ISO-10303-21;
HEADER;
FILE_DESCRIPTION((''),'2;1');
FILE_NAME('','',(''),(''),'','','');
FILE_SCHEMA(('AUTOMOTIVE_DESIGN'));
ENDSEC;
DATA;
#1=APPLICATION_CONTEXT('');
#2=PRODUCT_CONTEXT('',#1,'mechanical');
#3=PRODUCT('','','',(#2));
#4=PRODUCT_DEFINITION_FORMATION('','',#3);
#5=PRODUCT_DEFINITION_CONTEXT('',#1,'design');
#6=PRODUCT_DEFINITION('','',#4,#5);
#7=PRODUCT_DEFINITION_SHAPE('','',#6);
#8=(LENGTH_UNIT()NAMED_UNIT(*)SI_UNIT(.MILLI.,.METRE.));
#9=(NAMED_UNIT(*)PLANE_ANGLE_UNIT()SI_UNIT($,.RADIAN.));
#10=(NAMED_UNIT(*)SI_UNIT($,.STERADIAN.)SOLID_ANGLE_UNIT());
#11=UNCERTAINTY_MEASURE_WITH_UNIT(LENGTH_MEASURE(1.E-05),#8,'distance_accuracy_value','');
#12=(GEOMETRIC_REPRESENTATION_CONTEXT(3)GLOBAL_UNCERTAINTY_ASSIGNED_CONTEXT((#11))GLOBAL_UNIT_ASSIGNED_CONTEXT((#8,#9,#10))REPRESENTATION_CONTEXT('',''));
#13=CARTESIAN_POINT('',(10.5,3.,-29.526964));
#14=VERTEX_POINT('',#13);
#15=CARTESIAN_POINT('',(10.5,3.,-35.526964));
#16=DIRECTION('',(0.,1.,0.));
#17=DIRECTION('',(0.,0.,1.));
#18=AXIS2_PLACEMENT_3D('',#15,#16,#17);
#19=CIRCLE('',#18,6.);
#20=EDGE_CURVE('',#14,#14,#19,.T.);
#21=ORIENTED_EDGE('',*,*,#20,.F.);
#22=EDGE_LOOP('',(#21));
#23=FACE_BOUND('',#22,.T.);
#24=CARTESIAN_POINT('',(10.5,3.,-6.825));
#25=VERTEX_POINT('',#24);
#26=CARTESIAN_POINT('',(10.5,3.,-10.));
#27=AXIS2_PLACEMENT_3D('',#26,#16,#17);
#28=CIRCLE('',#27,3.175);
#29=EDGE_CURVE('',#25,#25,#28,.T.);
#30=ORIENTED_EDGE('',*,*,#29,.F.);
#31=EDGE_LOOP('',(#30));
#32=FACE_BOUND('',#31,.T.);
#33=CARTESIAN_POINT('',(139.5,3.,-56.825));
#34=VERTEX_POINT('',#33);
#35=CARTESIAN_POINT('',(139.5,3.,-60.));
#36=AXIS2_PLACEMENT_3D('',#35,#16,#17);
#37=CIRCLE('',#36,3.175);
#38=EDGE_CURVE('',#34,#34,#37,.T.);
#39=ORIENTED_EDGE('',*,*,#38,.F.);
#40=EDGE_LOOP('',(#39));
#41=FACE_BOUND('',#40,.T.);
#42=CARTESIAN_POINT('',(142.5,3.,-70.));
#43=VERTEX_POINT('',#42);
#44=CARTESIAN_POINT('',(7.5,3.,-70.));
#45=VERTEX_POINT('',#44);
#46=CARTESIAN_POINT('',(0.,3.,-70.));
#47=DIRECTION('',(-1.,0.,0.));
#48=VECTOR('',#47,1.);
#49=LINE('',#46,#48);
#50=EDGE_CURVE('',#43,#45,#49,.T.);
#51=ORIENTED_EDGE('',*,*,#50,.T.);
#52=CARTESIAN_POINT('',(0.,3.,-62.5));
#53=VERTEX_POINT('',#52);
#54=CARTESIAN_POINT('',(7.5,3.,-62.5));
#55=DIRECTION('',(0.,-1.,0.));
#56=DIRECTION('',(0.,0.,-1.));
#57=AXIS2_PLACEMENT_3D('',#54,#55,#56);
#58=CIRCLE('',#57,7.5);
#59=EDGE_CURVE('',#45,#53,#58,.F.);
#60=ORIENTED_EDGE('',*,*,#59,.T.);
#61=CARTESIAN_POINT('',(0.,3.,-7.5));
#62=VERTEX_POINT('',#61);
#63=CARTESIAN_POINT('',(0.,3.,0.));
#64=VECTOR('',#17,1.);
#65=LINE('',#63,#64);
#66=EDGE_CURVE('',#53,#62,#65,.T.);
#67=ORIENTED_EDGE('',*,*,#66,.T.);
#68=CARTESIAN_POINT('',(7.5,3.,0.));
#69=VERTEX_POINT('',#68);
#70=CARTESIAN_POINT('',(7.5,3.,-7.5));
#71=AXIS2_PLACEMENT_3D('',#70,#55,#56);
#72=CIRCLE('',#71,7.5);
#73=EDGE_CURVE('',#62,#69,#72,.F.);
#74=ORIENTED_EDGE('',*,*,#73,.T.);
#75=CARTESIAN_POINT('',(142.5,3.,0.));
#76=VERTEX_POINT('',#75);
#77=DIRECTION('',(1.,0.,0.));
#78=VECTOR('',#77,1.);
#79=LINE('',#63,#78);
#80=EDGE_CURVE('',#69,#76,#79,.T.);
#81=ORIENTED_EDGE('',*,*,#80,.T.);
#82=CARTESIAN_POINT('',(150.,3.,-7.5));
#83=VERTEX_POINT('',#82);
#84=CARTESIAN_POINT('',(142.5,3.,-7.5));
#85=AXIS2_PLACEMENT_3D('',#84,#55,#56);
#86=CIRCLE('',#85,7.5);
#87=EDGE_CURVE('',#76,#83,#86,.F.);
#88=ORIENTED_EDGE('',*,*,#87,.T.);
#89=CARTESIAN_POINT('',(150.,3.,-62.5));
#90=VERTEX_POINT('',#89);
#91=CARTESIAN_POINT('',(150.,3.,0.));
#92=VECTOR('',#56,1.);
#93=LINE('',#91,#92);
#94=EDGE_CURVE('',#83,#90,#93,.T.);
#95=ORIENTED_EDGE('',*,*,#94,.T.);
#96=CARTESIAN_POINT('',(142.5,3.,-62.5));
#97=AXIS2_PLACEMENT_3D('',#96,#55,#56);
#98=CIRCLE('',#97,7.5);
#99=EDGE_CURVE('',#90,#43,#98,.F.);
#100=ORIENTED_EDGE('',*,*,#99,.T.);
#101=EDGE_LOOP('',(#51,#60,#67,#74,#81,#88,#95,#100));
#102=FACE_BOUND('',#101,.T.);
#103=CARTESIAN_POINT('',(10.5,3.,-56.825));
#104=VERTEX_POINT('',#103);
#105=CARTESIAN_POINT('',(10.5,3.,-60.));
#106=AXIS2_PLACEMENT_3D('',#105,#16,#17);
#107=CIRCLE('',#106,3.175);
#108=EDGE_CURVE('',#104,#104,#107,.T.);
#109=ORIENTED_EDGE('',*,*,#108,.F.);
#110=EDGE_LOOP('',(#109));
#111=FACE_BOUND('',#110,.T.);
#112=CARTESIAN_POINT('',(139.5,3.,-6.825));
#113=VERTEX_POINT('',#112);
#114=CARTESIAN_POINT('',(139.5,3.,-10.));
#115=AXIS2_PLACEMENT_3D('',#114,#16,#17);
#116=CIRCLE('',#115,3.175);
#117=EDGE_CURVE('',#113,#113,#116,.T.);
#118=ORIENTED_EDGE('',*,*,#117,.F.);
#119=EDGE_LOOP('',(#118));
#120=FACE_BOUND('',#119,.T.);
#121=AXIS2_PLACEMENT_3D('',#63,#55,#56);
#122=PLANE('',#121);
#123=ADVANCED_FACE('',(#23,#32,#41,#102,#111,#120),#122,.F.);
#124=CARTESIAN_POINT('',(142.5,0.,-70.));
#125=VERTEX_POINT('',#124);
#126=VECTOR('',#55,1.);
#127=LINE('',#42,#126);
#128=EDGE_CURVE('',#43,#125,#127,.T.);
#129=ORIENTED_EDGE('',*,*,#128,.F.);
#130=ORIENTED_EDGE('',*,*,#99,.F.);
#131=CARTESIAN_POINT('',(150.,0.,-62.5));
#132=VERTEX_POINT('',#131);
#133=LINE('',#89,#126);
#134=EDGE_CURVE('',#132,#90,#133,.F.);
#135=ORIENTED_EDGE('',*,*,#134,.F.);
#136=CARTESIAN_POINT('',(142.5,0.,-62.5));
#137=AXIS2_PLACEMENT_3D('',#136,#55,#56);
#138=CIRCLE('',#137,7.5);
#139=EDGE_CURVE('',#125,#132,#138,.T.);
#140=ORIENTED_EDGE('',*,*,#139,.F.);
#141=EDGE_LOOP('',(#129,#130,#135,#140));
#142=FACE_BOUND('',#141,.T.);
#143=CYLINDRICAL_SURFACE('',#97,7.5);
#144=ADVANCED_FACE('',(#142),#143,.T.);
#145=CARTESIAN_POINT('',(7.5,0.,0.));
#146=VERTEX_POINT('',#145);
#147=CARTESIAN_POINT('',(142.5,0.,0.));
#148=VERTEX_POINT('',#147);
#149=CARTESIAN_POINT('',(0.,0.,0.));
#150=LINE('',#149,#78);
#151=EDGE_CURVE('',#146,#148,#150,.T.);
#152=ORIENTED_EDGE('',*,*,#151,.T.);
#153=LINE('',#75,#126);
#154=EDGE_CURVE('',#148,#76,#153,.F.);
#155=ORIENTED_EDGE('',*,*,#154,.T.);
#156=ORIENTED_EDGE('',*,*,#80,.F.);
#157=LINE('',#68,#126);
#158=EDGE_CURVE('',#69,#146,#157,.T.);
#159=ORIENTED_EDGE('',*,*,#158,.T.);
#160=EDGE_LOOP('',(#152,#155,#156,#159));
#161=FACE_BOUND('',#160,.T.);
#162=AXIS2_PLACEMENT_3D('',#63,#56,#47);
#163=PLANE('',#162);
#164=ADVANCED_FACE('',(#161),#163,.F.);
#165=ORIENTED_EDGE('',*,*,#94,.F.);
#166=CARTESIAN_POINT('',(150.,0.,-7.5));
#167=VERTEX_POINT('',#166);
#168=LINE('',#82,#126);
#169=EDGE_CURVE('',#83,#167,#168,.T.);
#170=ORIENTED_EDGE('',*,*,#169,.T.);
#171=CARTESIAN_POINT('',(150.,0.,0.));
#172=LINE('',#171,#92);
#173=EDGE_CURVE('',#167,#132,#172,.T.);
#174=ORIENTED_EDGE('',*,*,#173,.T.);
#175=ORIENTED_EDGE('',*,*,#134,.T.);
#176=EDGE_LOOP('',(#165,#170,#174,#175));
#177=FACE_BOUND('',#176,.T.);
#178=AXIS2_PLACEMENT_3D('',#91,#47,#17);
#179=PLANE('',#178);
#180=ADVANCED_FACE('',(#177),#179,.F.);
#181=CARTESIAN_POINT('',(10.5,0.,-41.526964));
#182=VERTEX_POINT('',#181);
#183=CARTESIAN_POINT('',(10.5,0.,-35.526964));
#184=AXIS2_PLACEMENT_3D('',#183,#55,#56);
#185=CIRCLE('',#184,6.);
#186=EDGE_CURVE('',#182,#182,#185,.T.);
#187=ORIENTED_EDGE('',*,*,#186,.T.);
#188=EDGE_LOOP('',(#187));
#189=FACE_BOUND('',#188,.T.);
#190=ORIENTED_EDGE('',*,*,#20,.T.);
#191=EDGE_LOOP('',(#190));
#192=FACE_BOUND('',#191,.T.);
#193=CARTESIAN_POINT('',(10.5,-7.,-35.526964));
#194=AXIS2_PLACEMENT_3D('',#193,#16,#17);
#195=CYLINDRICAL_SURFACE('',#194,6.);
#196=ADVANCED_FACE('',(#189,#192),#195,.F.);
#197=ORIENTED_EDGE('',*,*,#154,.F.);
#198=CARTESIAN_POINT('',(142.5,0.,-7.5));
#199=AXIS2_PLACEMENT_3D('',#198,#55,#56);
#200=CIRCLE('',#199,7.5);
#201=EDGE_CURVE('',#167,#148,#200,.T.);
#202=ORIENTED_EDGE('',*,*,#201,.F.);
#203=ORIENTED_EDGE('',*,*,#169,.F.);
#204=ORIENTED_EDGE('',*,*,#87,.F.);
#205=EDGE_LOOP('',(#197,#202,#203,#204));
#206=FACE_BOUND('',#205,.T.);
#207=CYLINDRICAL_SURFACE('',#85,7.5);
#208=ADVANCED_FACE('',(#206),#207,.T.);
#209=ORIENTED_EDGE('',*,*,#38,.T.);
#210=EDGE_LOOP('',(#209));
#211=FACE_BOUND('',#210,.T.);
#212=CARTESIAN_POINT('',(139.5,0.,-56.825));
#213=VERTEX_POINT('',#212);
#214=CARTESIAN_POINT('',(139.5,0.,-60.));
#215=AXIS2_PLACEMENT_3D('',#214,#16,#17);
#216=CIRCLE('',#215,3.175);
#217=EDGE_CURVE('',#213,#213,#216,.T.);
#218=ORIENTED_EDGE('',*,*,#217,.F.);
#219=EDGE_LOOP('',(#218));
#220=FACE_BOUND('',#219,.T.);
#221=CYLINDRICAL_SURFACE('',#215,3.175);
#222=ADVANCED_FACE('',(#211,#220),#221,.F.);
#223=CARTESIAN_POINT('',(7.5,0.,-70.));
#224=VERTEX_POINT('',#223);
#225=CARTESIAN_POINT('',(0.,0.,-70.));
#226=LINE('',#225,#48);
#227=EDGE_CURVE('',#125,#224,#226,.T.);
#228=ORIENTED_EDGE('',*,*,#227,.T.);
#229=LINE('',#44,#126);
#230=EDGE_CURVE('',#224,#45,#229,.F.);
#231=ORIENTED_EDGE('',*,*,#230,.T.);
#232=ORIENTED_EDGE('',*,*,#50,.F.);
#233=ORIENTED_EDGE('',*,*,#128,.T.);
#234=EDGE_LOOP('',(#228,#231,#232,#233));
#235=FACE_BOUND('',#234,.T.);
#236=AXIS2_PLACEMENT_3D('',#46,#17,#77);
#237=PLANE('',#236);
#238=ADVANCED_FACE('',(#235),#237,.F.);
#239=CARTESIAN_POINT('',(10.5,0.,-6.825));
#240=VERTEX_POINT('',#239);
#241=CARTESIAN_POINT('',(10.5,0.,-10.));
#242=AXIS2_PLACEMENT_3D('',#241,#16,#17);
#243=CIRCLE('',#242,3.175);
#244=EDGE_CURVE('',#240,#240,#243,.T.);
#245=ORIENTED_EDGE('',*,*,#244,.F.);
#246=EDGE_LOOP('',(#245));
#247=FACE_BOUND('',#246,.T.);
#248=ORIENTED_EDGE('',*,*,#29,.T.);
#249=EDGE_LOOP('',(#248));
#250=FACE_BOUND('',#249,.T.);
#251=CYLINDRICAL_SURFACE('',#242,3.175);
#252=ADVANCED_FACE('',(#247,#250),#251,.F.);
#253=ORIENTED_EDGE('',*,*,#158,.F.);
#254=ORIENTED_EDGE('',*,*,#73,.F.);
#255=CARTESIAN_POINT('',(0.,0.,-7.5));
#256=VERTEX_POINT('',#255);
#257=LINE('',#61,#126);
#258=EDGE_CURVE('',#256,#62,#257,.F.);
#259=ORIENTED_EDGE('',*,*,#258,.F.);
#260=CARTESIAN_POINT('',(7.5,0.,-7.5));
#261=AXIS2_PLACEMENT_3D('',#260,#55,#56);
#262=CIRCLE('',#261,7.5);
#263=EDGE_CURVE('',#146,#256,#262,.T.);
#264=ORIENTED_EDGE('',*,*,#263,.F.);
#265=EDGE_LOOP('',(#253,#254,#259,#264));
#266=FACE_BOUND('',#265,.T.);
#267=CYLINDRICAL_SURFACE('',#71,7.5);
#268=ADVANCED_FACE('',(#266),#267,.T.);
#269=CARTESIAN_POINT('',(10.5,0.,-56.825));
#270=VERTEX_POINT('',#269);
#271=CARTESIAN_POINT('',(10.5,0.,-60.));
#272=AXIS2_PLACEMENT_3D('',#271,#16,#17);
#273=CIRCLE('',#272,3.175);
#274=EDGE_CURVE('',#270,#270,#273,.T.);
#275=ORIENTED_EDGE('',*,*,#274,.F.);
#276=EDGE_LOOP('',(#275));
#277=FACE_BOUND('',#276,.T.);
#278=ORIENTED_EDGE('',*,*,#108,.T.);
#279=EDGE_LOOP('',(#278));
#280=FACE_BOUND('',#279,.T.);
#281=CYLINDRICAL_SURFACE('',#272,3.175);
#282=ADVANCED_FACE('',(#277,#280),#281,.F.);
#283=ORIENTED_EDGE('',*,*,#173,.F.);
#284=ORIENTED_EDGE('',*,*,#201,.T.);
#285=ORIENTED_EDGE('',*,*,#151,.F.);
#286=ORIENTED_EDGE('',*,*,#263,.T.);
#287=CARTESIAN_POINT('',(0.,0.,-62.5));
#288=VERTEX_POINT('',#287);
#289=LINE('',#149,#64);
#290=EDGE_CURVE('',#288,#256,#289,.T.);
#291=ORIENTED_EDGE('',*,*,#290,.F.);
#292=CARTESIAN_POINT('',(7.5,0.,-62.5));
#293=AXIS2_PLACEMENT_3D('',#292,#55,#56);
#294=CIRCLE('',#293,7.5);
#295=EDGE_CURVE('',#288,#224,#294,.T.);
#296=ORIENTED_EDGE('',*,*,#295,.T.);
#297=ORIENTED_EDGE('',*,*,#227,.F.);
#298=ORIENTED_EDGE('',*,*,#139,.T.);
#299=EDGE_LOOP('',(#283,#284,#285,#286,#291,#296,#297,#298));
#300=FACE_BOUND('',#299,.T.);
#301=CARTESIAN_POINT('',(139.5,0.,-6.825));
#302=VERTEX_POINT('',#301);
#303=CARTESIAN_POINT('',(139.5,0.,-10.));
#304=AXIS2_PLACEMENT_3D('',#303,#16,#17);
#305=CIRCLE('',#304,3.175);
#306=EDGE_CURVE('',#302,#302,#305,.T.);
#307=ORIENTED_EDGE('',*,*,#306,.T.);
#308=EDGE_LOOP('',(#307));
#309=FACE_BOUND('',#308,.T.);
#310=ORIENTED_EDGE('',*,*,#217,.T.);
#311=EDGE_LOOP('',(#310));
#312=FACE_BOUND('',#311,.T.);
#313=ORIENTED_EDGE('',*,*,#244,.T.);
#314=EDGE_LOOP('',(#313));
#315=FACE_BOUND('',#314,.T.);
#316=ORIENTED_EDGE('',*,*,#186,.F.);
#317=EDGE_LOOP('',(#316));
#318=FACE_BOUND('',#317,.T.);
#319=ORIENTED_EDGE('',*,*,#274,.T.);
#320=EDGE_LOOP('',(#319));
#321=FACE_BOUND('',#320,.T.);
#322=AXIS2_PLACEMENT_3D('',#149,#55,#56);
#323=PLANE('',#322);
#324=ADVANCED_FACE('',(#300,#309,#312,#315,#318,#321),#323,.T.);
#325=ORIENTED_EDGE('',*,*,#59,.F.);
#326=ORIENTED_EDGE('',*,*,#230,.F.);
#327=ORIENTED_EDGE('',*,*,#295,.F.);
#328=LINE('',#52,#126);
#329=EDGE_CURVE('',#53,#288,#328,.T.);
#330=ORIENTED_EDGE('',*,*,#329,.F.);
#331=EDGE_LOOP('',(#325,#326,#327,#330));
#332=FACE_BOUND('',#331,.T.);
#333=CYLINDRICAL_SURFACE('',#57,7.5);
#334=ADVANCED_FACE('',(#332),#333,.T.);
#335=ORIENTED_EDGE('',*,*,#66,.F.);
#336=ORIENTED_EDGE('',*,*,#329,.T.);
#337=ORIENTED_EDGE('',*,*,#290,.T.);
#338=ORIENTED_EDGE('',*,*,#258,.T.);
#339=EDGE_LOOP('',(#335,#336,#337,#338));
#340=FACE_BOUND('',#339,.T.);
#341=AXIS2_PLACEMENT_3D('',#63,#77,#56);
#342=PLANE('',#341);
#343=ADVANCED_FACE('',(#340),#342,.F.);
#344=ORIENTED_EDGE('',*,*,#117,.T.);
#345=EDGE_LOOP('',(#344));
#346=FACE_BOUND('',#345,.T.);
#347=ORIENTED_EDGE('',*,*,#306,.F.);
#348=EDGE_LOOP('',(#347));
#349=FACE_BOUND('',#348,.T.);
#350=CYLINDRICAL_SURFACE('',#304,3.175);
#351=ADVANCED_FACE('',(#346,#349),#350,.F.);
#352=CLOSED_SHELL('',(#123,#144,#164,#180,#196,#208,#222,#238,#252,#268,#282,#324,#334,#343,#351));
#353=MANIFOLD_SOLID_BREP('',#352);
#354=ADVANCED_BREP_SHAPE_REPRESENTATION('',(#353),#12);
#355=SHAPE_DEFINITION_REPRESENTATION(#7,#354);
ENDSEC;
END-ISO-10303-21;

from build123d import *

# Parameters (mm, degrees)
ESBO_O2_W                = 150
ESBO_O2_H                = 70
RESSALTO_EXTRUS_O1_DEPTH = 3
ESBO_O4_R                = 3.175
CORTE_EXTRUS_O1_DEPTH    = 3
FILETE1_R                = 7.5
ESBO_O6_R                = 6
CORTE_EXTRUS_O2_DEPTH    = 10


with BuildPart() as part:
    # Esboço2 → Ressalto-extrusão1 (new body)
    with BuildSketch(Plane(origin=(0, 0, 0), x_dir=(1, 0, 0), z_dir=(0, 1, 0))):
        with Locations((75, 35)):
            Rectangle(ESBO_O2_W, ESBO_O2_H)
    extrude(amount=RESSALTO_EXTRUS_O1_DEPTH)

    # Esboço4 → Corte-extrusão1 (cut)
    with BuildSketch(Plane(origin=(0, 3, 0), x_dir=(1, 0, 0), z_dir=(0, 1, 0))):
        with Locations(Location((10.5, 60, 0), (0, 0, 270))):
            Circle(ESBO_O4_R)
        with Locations(Location((139.5, 60, 0), (0, 0, 270))):
            Circle(ESBO_O4_R)
        with Locations(Location((139.5, 10, 0), (0, 0, 270))):
            Circle(ESBO_O4_R)
        with Locations(Location((10.5, 10, 0), (0, 0, 270))):
            Circle(ESBO_O4_R)
    extrude(amount=-CORTE_EXTRUS_O1_DEPTH, mode=Mode.SUBTRACT)

    # Filete1
    filete1_edges = [part.edges().sort_by_distance(p)[0] for p in [
        (0, 1.5, -70),
        (150, 1.5, -70),
        (150, 1.5, 0),
        (0, 1.5, 0),
    ]]
    fillet(filete1_edges, radius=FILETE1_R)

    # Esboço6 → Corte-extrusão2 (cut)
    with BuildSketch(Plane(origin=(0, 3, 0), x_dir=(1, 0, 0), z_dir=(0, 1, 0))):
        with Locations(Location((10.5, 35.526964124, 0), (0, 0, 270))):
            Circle(ESBO_O6_R)
    extrude(amount=-CORTE_EXTRUS_O2_DEPTH, mode=Mode.SUBTRACT)


solid = part.part
